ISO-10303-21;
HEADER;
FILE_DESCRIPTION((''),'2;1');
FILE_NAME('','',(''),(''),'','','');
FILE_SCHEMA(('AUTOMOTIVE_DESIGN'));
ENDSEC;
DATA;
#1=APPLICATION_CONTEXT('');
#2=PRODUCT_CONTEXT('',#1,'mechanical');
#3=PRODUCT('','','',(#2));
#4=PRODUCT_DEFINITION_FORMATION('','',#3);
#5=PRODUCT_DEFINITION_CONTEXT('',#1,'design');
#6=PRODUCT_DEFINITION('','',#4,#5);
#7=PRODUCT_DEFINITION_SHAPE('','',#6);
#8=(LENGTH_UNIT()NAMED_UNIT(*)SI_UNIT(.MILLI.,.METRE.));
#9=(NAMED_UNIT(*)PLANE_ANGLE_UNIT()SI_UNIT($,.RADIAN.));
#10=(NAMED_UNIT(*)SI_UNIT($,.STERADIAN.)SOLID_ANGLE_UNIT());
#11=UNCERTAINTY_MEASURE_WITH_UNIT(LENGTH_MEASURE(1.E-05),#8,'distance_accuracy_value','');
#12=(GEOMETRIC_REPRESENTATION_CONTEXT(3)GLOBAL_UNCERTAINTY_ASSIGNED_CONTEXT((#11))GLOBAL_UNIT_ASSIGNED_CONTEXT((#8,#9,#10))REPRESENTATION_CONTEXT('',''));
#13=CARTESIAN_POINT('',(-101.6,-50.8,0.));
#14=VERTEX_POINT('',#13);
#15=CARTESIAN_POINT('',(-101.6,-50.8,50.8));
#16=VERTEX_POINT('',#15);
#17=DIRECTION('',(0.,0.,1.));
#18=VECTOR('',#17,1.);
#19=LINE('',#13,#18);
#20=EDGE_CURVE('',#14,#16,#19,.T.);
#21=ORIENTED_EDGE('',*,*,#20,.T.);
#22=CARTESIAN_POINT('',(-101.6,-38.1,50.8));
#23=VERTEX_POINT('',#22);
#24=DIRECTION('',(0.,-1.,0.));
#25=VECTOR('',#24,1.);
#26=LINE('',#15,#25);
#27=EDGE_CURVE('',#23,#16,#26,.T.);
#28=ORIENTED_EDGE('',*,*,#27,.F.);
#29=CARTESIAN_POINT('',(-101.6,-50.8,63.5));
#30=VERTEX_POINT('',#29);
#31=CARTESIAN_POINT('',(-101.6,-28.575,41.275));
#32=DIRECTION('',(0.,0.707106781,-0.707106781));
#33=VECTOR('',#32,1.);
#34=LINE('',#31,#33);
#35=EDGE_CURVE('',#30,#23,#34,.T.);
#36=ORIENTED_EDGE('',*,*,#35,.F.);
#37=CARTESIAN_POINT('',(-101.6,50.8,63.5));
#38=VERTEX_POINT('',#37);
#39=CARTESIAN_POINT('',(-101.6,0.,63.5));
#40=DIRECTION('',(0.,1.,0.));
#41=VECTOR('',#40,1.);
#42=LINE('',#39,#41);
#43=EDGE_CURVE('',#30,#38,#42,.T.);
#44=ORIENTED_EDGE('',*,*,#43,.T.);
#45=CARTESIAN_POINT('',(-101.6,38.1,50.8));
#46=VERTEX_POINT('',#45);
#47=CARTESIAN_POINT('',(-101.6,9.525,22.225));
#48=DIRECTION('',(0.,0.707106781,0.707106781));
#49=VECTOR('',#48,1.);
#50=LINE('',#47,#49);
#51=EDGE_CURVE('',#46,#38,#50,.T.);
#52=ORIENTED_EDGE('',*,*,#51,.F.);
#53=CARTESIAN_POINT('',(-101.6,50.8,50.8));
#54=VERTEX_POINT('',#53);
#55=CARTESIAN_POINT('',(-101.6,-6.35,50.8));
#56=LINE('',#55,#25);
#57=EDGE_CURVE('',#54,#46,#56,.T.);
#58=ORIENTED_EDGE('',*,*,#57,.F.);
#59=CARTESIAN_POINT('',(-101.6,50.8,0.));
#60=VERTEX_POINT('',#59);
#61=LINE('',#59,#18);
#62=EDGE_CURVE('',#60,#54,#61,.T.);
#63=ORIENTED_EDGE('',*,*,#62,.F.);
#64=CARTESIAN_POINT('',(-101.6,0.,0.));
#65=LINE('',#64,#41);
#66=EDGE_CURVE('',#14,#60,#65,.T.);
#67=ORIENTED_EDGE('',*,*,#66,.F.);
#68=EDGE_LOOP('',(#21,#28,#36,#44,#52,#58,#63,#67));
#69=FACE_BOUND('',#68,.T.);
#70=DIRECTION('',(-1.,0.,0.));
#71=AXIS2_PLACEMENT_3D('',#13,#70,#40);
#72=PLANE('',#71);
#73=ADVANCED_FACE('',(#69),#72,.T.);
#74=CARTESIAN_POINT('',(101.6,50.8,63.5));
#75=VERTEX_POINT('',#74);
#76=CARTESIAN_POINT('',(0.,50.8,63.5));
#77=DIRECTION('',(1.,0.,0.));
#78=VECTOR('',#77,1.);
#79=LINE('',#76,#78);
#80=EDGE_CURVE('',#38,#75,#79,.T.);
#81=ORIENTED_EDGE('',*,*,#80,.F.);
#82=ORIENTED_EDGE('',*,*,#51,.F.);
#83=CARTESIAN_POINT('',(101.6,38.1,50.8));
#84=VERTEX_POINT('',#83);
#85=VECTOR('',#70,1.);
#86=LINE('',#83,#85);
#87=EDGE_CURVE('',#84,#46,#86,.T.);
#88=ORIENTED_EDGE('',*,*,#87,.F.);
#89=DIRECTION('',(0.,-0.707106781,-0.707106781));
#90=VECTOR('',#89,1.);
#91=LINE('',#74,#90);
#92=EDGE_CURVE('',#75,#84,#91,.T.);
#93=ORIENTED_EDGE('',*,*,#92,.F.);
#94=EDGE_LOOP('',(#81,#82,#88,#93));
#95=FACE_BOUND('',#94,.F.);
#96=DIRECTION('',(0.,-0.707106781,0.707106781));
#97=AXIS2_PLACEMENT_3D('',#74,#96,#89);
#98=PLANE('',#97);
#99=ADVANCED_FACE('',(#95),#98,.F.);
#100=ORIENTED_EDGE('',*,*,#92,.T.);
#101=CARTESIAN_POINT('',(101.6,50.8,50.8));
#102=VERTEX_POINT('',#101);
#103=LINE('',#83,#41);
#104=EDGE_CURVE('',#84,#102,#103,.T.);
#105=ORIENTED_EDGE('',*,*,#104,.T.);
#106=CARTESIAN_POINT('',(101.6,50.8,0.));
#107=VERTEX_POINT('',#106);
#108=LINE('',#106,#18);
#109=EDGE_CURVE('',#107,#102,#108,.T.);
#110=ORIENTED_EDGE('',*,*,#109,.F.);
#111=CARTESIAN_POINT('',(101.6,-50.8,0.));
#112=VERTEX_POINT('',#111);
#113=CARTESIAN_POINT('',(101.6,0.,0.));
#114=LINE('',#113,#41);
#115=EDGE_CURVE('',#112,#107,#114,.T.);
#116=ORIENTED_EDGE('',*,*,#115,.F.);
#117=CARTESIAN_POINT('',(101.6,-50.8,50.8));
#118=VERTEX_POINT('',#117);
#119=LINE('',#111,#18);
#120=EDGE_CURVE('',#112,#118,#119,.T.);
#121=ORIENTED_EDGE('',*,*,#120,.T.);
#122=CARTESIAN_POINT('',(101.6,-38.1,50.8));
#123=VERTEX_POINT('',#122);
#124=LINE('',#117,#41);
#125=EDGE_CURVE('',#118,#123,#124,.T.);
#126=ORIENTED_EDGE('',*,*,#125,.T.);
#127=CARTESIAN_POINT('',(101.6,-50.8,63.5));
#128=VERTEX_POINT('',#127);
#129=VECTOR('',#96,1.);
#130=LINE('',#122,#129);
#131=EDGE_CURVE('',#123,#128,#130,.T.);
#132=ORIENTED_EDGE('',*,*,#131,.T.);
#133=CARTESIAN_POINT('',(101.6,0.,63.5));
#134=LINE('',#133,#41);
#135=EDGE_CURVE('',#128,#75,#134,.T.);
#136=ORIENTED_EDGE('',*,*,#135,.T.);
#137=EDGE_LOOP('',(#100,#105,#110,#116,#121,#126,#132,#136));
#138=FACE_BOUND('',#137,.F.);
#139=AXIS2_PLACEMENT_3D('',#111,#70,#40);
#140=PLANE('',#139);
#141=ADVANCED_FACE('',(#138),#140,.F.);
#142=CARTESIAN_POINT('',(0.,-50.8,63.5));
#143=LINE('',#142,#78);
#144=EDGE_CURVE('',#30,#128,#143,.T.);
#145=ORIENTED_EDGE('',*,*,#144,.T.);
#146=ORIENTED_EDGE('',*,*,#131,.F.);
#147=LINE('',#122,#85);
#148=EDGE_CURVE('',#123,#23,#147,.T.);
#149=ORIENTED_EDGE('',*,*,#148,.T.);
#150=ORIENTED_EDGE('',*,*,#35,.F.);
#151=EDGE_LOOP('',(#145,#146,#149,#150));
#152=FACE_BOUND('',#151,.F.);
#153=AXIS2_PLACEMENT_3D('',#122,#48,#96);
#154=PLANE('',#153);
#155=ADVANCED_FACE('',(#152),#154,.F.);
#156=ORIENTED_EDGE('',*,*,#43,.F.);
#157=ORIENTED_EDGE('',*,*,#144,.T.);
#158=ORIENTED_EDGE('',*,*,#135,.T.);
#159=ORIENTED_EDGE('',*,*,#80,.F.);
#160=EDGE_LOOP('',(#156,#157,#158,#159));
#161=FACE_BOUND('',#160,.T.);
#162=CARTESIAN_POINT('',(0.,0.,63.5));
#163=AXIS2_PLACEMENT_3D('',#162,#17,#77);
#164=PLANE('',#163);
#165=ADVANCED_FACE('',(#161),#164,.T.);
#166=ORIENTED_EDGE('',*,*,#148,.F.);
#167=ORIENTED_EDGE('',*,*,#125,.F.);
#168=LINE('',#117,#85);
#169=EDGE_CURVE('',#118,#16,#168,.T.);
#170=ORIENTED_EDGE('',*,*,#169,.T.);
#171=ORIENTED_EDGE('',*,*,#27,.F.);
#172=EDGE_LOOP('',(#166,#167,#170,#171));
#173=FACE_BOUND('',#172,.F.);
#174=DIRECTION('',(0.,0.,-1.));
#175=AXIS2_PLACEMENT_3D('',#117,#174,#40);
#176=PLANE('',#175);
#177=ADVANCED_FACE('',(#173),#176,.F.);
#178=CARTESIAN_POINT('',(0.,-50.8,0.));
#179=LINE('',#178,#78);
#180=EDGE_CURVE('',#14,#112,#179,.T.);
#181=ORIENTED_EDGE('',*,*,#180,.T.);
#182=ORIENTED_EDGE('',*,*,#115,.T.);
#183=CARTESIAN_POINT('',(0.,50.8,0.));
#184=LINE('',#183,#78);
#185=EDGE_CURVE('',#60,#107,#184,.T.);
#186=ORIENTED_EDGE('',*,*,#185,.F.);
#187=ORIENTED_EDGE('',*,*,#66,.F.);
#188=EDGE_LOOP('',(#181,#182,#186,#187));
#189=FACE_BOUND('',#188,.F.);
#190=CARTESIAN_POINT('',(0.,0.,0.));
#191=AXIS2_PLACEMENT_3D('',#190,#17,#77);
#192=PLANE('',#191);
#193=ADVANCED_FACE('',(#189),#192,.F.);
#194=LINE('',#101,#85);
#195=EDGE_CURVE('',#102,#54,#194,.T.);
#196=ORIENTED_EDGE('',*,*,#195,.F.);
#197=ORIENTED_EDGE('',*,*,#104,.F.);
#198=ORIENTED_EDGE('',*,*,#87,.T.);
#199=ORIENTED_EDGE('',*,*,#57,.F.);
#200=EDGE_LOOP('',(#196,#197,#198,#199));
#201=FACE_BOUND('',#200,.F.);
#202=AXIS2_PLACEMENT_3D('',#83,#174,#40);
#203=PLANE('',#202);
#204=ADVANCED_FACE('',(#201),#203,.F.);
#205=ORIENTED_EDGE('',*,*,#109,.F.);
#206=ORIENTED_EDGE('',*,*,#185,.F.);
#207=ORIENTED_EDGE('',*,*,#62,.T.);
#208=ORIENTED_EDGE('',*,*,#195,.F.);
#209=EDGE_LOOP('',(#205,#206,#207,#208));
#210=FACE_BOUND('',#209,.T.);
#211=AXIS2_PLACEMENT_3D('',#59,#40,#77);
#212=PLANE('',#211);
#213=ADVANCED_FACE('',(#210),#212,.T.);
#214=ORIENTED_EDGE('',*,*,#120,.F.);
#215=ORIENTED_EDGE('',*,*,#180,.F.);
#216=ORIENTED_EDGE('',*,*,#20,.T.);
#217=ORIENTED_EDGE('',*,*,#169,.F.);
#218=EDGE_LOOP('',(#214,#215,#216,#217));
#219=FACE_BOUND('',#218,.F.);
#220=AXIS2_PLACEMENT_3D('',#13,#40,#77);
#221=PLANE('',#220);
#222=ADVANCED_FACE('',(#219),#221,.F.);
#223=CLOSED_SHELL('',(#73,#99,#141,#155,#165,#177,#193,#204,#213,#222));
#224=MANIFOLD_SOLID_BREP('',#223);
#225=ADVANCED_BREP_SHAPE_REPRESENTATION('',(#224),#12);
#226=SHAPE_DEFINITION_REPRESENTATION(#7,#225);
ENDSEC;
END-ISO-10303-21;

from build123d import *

# Parameters (mm, degrees)
F0_W     = 203.2
F0_H     = 101.6
F1_DEPTH = 63.5
F3_DEPTH = 215.9
F5_DEPTH = 215.9


with BuildPart() as f1:
    # F0 (on Top) → F1 (new body)
    with BuildSketch(Plane.XY):
        Rectangle(F0_W, F0_H)
    extrude(amount=F1_DEPTH)

    # F2 (on face) → F3 (cut)
    with BuildSketch(Plane.YZ.offset(101.6)):
        Polygon((50.8, 50.8), (50.8, 63.5), (38.1, 50.8), align=None)
    extrude(amount=-F3_DEPTH, mode=Mode.SUBTRACT)

    # F4 (on face) → F5 (cut)
    with BuildSketch(Plane.YZ.offset(101.6)):
        Polygon((-38.1, 50.8), (-50.8, 63.5), (-50.8, 50.8), align=None)
    extrude(amount=-F5_DEPTH, mode=Mode.SUBTRACT)


solid = f1.part
